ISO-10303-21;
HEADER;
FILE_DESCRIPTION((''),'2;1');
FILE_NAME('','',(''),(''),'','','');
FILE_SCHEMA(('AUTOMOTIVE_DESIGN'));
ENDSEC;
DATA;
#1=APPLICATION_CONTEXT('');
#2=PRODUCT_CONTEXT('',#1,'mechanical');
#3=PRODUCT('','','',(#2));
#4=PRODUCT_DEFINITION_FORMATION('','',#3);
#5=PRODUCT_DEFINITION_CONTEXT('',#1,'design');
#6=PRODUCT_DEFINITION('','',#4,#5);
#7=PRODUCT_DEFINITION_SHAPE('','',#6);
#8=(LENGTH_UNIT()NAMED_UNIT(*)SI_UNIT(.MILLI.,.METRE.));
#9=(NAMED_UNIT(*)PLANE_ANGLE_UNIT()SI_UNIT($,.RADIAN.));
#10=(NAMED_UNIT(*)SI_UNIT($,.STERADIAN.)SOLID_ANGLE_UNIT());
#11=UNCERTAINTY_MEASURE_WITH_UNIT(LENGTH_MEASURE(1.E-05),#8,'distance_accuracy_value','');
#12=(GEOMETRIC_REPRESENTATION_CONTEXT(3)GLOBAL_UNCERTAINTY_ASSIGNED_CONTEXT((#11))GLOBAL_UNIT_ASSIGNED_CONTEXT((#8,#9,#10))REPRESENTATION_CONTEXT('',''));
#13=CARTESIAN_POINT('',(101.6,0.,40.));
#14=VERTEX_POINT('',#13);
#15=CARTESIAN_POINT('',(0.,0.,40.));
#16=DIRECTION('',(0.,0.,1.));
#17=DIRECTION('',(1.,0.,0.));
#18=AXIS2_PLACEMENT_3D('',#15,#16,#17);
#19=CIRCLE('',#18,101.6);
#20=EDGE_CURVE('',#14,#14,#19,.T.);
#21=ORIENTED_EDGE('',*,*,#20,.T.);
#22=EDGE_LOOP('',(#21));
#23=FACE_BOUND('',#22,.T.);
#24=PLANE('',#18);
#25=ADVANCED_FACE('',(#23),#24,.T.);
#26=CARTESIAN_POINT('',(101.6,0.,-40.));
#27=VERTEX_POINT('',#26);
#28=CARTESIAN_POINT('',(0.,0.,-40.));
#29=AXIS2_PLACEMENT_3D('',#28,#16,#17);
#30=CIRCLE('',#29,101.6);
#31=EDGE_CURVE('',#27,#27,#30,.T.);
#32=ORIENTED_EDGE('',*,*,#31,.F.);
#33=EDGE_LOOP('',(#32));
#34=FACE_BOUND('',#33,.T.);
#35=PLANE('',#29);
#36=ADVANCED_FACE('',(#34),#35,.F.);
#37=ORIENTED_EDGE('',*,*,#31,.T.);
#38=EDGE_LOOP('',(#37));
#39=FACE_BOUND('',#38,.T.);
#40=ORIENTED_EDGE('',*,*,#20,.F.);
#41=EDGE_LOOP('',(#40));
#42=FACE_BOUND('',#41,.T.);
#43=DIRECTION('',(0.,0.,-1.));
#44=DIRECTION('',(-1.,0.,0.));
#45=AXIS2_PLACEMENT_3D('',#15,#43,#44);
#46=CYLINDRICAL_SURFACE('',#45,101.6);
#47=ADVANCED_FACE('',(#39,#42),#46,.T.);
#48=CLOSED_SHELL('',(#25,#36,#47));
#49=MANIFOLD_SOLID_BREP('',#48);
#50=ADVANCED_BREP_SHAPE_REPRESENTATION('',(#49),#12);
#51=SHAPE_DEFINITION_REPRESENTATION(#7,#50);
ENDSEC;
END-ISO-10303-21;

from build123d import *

# Parameters (mm, degrees)
CROQUIS1_R              = 101.6
SALIENTE_EXTRUIR1_DEPTH = 40


with BuildPart() as part:
    # Croquis1 → Saliente-Extruir1 (new body, symmetric)
    with BuildSketch(Plane.XY):
        Circle(CROQUIS1_R)
    extrude(amount=SALIENTE_EXTRUIR1_DEPTH, both=True)


solid = part.part
